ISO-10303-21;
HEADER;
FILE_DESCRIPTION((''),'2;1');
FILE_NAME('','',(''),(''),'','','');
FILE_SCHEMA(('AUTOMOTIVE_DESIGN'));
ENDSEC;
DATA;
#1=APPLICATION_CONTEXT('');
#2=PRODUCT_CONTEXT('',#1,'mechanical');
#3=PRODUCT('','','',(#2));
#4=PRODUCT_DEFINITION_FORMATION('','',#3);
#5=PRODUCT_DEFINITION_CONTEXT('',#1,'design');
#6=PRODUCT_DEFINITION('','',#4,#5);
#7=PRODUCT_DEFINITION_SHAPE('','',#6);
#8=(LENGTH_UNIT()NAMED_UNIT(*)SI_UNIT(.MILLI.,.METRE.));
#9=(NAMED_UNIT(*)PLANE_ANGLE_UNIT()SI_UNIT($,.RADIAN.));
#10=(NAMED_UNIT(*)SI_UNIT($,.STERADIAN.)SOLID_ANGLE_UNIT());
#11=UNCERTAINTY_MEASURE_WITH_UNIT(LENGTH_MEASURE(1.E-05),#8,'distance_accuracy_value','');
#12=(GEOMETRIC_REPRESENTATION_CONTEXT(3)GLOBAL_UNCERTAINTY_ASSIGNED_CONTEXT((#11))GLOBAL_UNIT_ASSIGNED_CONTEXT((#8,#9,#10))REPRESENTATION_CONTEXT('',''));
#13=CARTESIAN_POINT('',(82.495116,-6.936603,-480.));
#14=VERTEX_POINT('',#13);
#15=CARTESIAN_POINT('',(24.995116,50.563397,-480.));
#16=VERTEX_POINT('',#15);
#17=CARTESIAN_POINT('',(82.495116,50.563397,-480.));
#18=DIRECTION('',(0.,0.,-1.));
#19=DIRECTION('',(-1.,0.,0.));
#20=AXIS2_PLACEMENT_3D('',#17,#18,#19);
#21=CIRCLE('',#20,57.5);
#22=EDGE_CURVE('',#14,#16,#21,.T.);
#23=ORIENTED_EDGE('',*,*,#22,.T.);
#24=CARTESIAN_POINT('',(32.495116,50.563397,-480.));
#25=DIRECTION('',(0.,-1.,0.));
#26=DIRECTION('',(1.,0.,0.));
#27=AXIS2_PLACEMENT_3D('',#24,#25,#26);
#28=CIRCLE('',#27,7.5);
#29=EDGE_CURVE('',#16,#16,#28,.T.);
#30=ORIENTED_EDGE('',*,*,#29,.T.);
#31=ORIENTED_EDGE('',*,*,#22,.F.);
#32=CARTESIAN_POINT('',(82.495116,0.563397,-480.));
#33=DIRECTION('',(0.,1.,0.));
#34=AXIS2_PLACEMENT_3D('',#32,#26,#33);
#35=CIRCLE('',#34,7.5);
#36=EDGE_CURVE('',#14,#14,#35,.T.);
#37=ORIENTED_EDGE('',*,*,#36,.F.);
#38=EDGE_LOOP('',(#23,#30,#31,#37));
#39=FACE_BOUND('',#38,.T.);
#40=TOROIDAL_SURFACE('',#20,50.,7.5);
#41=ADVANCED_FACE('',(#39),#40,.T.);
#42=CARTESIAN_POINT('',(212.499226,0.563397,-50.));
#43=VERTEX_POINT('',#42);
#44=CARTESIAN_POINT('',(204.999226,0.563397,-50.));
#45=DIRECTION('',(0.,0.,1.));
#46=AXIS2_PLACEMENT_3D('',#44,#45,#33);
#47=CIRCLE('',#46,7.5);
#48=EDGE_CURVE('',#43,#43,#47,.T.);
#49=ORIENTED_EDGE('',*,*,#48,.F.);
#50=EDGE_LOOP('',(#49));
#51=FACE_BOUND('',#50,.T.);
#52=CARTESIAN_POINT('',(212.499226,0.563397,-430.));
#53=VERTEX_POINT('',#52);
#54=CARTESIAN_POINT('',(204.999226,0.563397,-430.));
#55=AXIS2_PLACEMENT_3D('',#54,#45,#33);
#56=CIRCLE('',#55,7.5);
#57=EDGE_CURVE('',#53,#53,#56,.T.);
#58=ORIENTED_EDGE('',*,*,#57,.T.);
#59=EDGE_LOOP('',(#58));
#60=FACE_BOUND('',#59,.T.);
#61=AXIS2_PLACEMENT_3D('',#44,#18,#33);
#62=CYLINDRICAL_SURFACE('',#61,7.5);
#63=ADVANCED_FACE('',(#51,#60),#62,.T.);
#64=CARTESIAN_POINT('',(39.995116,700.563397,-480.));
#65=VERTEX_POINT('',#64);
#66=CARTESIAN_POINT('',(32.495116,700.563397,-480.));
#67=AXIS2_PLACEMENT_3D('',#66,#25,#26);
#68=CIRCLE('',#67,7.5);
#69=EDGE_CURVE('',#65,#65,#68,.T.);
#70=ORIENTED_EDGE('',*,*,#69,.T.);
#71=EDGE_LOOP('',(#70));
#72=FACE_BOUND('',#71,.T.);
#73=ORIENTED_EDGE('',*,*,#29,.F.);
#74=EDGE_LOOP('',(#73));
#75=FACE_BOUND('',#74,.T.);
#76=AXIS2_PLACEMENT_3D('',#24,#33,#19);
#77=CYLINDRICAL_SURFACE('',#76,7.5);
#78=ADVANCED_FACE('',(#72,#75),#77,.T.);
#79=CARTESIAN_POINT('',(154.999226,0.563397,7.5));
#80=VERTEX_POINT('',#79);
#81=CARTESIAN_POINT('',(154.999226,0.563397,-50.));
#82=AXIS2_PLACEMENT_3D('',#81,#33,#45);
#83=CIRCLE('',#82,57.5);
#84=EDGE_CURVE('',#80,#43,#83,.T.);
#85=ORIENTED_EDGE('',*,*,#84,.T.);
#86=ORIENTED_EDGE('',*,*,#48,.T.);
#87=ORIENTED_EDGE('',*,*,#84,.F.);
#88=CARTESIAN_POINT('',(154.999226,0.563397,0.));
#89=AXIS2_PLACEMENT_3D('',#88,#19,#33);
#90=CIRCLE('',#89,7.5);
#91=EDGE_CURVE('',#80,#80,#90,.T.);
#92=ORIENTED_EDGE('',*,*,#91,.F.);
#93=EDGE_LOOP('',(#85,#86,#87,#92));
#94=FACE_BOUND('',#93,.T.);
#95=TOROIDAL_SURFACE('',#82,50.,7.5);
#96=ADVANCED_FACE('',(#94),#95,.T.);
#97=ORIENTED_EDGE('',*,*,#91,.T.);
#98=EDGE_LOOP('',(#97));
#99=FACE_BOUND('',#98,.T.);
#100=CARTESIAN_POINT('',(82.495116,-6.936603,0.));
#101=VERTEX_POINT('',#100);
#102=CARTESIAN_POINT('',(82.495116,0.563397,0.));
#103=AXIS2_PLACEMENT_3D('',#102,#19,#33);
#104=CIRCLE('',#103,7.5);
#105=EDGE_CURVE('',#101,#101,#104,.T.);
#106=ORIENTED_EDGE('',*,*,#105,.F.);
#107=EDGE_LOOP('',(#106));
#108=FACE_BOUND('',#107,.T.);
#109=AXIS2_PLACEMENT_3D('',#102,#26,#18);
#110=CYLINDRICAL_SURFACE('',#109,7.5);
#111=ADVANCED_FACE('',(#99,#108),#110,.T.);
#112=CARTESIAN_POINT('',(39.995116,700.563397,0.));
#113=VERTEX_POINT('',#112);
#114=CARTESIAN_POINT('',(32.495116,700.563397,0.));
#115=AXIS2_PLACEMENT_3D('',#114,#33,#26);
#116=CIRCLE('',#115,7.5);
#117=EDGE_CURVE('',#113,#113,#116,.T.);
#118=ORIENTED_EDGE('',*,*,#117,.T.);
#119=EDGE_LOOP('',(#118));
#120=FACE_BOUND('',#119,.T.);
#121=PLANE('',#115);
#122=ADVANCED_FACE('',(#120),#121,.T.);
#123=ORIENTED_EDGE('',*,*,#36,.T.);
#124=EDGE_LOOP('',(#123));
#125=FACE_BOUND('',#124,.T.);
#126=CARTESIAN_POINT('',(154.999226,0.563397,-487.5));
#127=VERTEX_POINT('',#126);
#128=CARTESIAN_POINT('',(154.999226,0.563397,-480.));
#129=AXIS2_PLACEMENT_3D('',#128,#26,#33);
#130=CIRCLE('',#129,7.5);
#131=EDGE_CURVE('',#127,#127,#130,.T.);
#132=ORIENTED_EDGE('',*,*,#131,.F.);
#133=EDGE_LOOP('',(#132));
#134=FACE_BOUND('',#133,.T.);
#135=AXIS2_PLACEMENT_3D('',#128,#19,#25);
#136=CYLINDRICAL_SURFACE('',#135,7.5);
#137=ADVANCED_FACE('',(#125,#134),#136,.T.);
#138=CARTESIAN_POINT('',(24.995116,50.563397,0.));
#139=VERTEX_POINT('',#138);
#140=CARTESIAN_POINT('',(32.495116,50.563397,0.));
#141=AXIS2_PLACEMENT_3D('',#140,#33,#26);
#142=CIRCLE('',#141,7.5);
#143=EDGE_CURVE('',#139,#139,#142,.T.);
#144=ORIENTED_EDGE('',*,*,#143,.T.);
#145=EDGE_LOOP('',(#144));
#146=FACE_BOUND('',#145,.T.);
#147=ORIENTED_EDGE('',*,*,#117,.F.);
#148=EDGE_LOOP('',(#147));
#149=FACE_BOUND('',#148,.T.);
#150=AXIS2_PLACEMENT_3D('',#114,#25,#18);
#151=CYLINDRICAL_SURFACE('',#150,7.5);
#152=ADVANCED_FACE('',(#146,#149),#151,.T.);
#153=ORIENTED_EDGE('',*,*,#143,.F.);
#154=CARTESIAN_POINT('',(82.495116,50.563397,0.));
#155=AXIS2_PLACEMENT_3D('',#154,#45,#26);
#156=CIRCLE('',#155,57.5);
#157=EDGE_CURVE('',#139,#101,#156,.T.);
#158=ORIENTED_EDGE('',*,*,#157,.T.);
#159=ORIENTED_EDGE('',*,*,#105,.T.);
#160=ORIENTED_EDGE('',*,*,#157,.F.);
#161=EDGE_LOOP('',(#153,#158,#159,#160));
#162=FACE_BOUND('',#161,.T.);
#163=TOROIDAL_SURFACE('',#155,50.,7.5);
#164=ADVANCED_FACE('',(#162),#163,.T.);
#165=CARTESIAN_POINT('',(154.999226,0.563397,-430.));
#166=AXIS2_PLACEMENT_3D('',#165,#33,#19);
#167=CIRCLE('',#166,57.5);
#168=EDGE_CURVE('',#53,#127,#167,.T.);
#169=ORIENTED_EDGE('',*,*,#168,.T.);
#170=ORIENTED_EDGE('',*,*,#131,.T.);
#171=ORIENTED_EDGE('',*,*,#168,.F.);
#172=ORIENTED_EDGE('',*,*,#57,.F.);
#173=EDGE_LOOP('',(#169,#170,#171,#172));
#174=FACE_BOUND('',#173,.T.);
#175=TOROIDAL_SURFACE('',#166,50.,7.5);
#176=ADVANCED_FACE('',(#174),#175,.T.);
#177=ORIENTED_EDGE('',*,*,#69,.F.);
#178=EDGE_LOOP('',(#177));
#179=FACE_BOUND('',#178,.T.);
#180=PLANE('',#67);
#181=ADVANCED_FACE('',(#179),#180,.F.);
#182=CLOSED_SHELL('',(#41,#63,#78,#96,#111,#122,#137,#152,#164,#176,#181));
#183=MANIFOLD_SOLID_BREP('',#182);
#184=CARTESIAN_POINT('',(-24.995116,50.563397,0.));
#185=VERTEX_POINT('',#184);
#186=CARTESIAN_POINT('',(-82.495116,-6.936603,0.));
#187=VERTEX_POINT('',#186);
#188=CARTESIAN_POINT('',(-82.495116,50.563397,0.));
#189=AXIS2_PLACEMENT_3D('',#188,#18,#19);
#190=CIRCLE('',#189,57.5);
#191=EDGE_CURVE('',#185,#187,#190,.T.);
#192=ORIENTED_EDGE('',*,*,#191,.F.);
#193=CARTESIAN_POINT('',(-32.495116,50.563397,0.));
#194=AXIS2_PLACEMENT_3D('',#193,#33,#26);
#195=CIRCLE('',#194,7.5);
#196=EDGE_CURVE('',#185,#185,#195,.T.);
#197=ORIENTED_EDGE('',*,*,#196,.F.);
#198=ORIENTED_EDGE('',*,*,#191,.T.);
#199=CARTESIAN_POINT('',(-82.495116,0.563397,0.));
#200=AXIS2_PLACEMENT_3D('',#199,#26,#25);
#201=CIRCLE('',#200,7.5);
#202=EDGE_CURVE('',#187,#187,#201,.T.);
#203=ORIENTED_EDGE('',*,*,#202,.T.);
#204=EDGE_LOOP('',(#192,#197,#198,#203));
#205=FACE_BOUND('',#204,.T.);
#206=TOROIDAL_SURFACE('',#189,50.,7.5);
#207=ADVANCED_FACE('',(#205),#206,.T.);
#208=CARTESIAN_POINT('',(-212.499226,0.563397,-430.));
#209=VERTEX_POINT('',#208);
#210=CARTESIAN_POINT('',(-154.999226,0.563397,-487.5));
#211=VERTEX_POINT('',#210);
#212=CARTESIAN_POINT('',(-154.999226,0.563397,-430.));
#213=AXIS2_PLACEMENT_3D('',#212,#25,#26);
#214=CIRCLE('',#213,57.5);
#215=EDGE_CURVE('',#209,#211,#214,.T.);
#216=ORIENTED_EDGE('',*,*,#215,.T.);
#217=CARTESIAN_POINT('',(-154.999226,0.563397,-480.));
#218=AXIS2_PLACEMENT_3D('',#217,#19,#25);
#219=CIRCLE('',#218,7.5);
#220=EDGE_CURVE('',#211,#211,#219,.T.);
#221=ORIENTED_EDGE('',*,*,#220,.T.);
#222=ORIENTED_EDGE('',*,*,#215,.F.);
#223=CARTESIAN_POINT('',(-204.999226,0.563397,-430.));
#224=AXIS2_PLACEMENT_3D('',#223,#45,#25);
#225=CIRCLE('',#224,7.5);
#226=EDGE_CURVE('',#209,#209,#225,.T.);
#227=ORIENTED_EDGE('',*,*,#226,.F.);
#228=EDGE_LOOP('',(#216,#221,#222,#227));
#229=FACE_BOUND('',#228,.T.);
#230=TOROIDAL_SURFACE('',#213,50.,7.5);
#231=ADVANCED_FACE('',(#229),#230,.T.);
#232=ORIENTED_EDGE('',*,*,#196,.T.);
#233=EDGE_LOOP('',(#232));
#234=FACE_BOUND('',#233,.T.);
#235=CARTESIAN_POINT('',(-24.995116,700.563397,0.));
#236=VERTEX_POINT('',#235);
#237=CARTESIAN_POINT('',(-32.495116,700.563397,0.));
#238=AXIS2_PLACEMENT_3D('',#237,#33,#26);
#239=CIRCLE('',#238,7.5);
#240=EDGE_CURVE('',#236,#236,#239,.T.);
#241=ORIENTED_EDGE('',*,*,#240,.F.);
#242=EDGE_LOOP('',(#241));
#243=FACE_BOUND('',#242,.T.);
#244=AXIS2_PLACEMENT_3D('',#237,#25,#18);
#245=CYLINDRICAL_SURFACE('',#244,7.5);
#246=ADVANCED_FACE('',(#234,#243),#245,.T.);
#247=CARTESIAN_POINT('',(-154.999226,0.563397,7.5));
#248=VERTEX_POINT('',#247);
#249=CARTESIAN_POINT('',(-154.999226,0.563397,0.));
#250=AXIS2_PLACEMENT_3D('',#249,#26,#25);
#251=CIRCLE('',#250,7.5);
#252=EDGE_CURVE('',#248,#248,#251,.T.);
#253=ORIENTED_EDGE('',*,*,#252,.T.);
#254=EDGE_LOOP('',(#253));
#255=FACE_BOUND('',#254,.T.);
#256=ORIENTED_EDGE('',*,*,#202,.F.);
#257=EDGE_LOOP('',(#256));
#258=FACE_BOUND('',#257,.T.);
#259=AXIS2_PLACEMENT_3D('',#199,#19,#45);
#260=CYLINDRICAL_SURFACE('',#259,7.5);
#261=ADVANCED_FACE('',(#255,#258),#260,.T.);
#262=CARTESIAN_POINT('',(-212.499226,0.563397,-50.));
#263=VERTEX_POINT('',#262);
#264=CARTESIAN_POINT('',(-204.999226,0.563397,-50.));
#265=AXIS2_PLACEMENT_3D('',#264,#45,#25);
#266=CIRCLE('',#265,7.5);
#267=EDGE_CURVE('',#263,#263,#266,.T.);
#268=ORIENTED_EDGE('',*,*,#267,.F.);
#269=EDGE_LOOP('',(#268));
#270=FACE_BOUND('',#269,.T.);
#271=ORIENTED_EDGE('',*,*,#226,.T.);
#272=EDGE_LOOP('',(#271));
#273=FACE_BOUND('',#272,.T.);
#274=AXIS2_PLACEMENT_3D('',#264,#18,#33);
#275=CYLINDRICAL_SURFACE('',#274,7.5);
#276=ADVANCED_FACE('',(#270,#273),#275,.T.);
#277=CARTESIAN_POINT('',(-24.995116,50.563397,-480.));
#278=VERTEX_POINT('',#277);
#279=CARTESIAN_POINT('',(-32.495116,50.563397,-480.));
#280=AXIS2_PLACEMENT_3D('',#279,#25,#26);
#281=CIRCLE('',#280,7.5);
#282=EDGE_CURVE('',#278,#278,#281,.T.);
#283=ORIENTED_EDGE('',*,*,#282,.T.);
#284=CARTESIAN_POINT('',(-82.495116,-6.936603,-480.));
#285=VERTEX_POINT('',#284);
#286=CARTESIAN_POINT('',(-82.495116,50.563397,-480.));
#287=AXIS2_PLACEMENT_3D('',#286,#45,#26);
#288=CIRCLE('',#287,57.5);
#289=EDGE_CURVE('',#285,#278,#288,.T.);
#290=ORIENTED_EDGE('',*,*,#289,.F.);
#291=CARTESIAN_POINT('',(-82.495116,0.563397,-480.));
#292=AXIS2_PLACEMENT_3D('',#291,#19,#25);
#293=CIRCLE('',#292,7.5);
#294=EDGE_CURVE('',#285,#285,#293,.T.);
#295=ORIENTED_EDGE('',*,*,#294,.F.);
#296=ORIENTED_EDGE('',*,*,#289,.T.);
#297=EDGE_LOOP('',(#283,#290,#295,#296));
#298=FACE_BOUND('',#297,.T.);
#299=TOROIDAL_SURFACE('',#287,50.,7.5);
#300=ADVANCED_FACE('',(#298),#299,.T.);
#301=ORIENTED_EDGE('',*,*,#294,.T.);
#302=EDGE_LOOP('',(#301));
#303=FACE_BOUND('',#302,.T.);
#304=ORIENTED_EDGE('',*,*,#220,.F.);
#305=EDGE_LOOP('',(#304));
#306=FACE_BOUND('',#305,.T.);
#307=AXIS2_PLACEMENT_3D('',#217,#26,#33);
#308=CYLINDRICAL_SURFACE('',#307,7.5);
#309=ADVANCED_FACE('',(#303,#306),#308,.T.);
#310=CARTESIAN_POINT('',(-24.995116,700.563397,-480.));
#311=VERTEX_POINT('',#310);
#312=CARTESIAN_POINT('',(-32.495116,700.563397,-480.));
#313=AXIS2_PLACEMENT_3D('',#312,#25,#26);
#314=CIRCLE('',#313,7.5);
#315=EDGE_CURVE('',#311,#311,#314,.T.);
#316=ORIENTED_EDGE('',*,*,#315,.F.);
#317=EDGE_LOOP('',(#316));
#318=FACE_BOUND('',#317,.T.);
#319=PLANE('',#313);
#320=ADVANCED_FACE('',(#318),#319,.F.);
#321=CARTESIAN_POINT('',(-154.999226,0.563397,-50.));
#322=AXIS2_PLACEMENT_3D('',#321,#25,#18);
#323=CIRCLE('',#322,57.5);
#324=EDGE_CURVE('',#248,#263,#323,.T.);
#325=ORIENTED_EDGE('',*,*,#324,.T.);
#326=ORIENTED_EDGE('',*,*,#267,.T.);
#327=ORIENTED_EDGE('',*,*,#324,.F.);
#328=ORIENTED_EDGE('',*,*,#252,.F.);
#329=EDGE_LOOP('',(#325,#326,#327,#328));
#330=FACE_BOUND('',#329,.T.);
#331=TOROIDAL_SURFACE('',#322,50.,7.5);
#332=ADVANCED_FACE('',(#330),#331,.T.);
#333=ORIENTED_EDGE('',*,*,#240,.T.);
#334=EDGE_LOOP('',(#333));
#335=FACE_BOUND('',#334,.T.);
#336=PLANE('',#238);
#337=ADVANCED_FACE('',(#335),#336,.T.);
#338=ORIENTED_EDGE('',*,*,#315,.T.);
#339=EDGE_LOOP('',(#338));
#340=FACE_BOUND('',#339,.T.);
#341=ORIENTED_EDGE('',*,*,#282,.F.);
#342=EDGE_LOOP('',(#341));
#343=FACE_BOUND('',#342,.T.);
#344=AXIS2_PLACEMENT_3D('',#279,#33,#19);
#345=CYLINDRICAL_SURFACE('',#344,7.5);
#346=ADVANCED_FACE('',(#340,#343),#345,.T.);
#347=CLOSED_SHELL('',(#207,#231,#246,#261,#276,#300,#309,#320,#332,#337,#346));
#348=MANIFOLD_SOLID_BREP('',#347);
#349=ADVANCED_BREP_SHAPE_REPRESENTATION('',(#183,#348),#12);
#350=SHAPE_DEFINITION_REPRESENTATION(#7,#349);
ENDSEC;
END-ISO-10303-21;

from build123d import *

# Parameters (mm, degrees)
SWEEP_1_PROFILE_R = 7.5
SWEEP_2_PROFILE_R = 7.5


with BuildPart() as part:
    # 扫描1: sweep along a curve in space
    with BuildLine() as sweep_1_path:
        Line((32.495116313, 700.563396672, 0), (32.495116313, 50.563396672, 0))
        ThreePointArc((32.495116313, 50.563396672, 0), (47.139777254, 15.208057613, 0), (82.495116313, 0.563396672, 0))
        Line((82.495116313, 0.563396672, 0), (154.999225814, 0.563396672, 0))
        ThreePointArc((154.999225814, 0.563396672, 0), (190.354564873, 0.563396672, -14.644660941), (204.999225814, 0.563396672, -50))
        Line((204.999225814, 0.563396672, -50), (204.999225814, 0.563396672, -430))
        ThreePointArc((204.999225814, 0.563396672, -430), (190.354564873, 0.563396672, -465.355339059), (154.999225814, 0.563396672, -480))
        Line((154.999225814, 0.563396672, -480), (82.495116313, 0.563396672, -480))
        ThreePointArc((82.495116313, 0.563396672, -480), (47.139777254, 15.208057613, -480), (32.495116313, 50.563396672, -480))
        Line((32.495116313, 50.563396672, -480), (32.495116313, 700.563396672, -480))
    # 扫描1 profile (on start of the path) → 扫描1 (sweep)
    with BuildSketch(Plane(origin=(32.495116313, 700.563396672, 0), x_dir=(0, 0, -1), z_dir=(0, -1, 0))):
        Circle(SWEEP_1_PROFILE_R)
    sweep(path=sweep_1_path.line)


with BuildPart() as body_2:
    # 扫描2: sweep along a curve in space
    with BuildLine() as sweep_2_path:
        Line((-32.495116313, 50.563396672, -480), (-32.495116313, 700.563396672, -480))
        ThreePointArc((-32.495116313, 50.563396672, -480), (-47.139777254, 15.208057613, -480), (-82.495116313, 0.563396672, -480))
        Line((-154.999225814, 0.563396672, -480), (-82.495116313, 0.563396672, -480))
        ThreePointArc((-154.999225814, 0.563396672, -480), (-190.354564873, 0.563396672, -465.355339059), (-204.999225814, 0.563396672, -430))
        Line((-204.999225814, 0.563396672, -50), (-204.999225814, 0.563396672, -430))
        ThreePointArc((-204.999225814, 0.563396672, -50), (-190.354564873, 0.563396672, -14.644660941), (-154.999225814, 0.563396672, 0))
        Line((-82.495116313, 0.563396672, 0), (-154.999225814, 0.563396672, 0))
        ThreePointArc((-82.495116313, 0.563396672, 0), (-47.139777254, 15.208057613, 0), (-32.495116313, 50.563396672, 0))
        Line((-32.495116313, 700.563396672, 0), (-32.495116313, 50.563396672, 0))
    # 扫描2 profile (on start of the path) → 扫描2 (sweep)
    with BuildSketch(Plane(origin=(-32.495116313, 700.563396672, 0), x_dir=(0, 0, -1), z_dir=(0, -1, 0))):
        Circle(SWEEP_2_PROFILE_R)
    sweep(path=sweep_2_path.line)


solid = Compound([part.part, body_2.part])
